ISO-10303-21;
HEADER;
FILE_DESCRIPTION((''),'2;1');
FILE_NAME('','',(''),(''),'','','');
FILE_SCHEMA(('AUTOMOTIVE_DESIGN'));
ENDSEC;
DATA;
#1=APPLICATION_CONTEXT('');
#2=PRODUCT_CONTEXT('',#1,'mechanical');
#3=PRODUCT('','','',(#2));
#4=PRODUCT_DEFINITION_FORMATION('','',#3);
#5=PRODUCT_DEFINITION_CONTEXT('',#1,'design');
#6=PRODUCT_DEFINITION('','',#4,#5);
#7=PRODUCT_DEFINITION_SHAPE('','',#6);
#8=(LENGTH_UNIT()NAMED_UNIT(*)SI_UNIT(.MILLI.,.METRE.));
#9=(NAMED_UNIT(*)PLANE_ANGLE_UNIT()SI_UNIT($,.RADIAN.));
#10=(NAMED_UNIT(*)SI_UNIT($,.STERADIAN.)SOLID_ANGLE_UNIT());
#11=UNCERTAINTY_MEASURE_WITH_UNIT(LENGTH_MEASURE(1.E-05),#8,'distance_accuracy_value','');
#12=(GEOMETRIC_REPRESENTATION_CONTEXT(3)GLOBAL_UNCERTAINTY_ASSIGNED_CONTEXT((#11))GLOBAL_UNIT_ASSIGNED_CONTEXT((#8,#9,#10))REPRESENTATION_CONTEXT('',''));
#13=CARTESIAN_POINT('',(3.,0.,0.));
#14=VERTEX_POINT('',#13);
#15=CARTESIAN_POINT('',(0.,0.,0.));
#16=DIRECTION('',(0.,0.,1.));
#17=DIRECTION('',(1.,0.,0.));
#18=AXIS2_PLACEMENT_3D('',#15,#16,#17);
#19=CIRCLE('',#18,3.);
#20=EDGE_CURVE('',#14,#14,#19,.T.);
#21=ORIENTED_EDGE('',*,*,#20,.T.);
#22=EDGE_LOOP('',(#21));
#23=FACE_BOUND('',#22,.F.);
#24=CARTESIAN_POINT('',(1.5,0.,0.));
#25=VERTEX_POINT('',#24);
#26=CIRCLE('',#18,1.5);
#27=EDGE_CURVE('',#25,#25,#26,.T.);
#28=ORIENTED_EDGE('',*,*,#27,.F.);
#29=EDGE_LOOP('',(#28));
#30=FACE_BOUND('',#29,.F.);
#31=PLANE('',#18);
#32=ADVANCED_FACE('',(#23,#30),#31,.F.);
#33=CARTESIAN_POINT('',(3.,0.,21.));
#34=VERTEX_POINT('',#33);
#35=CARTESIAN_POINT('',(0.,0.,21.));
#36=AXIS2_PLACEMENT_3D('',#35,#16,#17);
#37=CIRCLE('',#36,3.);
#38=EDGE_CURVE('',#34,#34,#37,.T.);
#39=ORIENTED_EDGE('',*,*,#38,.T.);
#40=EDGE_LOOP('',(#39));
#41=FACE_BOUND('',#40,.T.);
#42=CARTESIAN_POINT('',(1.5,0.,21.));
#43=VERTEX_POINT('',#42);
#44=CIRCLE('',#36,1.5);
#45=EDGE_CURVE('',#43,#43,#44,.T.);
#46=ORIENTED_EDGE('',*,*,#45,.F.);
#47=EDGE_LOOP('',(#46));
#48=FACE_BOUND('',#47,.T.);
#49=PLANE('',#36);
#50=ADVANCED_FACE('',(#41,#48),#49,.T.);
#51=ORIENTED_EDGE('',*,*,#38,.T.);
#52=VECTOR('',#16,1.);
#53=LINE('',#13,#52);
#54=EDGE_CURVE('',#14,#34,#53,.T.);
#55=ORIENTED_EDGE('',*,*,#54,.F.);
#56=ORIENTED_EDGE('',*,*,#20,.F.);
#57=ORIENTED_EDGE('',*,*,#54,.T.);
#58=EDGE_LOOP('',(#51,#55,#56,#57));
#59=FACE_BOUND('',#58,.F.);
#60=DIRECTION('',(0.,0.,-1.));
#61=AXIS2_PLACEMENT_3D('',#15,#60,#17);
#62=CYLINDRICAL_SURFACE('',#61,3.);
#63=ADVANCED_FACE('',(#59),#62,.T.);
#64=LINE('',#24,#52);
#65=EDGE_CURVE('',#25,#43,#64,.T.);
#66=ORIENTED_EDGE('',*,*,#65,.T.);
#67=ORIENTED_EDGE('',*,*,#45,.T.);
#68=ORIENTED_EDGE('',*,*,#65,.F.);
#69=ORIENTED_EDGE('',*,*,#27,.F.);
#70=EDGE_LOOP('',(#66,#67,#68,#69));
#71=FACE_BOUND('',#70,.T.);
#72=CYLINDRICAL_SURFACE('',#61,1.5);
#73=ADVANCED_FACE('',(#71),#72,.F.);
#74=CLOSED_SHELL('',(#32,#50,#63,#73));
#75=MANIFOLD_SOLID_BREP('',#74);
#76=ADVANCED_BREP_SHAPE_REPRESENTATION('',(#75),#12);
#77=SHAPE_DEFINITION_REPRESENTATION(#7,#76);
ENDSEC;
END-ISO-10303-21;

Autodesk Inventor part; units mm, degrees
ref_plane "YZ Plane" through (0, 0, 0) normal (1, 0, 0) x (0, 1, 0)
ref_plane "XZ Plane" through (0, 0, 0) normal (0, 1, 0) x (-1, 0, 0)
ref_plane "XY Plane" through (0, 0, 0) normal (0, 0, 1) x (1, 0, 0)
sketch "スケッチ1" plane through (0, 0, 0) normal (0, 0, 1) x (1, 0, 0)
  circle A0 centre (0, 0) radius 3
  circle A1 centre (0, 0) radius 1.5
  dimension "d0" = 6
  dimension "d1" = 3
extrude "押し出し1" add sketch "スケッチ1" along normal blind 21
properties part number "スペーサーm3,21" material "アルミニウム 7075"
